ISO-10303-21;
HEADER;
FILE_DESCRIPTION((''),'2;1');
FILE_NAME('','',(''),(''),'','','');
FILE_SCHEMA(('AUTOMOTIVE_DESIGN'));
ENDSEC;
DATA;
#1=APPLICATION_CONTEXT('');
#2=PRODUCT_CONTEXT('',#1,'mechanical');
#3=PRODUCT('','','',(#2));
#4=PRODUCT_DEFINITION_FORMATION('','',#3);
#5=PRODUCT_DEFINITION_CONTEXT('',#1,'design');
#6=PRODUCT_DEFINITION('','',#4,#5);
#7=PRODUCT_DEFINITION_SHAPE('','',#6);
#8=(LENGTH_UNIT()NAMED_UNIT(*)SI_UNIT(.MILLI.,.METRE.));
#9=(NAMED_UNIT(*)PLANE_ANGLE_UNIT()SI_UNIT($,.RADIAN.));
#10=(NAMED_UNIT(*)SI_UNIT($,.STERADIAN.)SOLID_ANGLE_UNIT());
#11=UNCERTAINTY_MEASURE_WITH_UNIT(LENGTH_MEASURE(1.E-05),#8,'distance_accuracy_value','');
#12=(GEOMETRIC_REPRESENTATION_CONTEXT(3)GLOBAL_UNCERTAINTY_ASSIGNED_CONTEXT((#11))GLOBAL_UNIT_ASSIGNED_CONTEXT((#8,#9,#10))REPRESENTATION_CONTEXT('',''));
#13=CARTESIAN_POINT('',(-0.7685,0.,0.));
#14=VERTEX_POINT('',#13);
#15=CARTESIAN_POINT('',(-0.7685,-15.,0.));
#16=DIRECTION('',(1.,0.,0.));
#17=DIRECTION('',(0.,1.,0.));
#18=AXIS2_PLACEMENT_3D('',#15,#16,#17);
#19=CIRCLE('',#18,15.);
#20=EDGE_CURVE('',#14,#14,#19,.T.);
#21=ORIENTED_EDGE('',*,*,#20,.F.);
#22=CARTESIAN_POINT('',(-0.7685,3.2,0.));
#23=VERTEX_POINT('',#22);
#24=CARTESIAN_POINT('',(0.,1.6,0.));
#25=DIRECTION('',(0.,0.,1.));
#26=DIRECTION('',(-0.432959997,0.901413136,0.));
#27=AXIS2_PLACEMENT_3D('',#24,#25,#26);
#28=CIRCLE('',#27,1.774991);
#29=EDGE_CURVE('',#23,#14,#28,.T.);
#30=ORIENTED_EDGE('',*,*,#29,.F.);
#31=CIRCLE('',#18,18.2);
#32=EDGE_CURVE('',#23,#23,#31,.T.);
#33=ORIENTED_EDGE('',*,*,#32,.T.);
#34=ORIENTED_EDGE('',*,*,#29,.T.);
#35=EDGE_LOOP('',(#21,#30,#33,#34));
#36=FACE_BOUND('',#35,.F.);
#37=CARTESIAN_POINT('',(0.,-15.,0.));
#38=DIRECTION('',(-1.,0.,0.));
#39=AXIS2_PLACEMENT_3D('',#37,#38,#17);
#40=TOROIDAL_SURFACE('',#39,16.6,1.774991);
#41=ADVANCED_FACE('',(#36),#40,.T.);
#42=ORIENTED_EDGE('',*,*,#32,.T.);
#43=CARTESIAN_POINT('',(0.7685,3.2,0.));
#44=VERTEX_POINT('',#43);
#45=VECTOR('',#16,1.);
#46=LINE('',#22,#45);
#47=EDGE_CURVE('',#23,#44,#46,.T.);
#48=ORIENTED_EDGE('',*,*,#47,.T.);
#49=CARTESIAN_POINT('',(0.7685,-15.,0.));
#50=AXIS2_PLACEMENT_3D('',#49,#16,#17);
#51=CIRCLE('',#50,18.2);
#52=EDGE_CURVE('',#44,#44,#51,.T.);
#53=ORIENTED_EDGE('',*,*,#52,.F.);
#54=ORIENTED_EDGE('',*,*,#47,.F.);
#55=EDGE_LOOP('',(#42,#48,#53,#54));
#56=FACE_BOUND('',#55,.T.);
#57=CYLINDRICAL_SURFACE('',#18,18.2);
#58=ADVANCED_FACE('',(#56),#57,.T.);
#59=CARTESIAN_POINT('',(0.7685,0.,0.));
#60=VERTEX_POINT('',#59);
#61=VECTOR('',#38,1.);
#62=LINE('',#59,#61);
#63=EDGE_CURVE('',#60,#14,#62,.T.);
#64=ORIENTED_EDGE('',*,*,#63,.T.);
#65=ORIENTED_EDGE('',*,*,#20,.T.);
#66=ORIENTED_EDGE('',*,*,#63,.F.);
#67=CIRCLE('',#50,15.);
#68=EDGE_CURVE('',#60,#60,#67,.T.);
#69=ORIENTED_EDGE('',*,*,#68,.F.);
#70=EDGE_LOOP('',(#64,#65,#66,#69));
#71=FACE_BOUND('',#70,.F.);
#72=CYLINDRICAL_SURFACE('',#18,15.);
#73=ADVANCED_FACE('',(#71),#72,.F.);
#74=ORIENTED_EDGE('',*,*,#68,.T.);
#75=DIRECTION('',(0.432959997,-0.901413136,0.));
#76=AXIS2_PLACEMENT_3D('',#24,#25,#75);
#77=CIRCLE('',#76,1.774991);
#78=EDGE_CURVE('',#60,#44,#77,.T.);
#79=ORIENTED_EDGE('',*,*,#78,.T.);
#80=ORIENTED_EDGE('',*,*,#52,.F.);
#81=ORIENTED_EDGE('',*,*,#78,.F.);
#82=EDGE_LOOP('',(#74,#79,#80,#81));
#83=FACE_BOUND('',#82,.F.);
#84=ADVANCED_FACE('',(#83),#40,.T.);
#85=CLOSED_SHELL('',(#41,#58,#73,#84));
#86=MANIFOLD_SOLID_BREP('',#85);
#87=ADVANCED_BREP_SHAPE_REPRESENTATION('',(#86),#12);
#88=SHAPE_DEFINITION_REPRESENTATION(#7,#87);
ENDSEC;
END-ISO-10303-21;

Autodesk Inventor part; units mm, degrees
ref_plane "YZ Plane" through (0, 0, 0) normal (1, 0, 0) x (0, 1, 0)
ref_plane "XZ Plane" through (0, 0, 0) normal (0, 1, 0) x (-1, 0, 0)
ref_plane "XY Plane" through (0, 0, 0) normal (0, 0, 1) x (1, 0, 0)
sketch "Sketch1" plane through (0, 0, 0) normal (0, 0, 1) x (1, 0, 0)
  line L0 (-0.0113, 0) -> (-0.0113, 0) construction
  line L1 (-0.7685, 3.2) -> (0.7685, 3.2)
  line L2 (-0.7685, 0) -> (0.7685, 0)
  arc A0 (-0.7685, 3.2) -> (-0.7685, 0) centre (0, 1.6) ccw
  line L3 (-4, -15) -> (6.0335, -15)
  line L4 (-6.0067, 0) -> (8.0403, 0) projected
  line L5 (0, 4.64) -> (0, -12.44) projected
  arc A1 (0.7685, 0) -> (0.7685, 3.2) centre (0, 1.6) ccw
  dimension "d0" = 30
  dimension "d1" = 1.6
  dimension "d2" = 1.775
  dimension "d3" = 1.6
  dimension "d4" = 3.2
revolve "Body" add sketch "Sketch1" angle 360 about axis through (-4, -15, 0) along (1, 0, 0)
equation "\"d0\" = NND"
equation "\"d1\" = -0.25 * NND + 0.25 * NDOR"
equation "\"d2\" = 0.5 * QDM"
equation "\"d3\" = -0.25 * NND + 0.25 * NDOR"
equation "\"d4\" = -0.5 * NND + 0.5 * NDOR"
equation "\"QDM\" = 3.55"
equation "\"NND\" = 30"
equation "\"NDOR\" = 36.4"
equation "\"R1\" = 0.6"
equation "\"R2\" = 0.2"
equation "\"NB1\" = 4.6"
equation "\"BD\" = 30.15"
equation "\"NTOR\" = -0.5 * NND + 0.5 * NDOR"
properties part number "ISO 3601-1 - C 0300 G" material "Rubber"
